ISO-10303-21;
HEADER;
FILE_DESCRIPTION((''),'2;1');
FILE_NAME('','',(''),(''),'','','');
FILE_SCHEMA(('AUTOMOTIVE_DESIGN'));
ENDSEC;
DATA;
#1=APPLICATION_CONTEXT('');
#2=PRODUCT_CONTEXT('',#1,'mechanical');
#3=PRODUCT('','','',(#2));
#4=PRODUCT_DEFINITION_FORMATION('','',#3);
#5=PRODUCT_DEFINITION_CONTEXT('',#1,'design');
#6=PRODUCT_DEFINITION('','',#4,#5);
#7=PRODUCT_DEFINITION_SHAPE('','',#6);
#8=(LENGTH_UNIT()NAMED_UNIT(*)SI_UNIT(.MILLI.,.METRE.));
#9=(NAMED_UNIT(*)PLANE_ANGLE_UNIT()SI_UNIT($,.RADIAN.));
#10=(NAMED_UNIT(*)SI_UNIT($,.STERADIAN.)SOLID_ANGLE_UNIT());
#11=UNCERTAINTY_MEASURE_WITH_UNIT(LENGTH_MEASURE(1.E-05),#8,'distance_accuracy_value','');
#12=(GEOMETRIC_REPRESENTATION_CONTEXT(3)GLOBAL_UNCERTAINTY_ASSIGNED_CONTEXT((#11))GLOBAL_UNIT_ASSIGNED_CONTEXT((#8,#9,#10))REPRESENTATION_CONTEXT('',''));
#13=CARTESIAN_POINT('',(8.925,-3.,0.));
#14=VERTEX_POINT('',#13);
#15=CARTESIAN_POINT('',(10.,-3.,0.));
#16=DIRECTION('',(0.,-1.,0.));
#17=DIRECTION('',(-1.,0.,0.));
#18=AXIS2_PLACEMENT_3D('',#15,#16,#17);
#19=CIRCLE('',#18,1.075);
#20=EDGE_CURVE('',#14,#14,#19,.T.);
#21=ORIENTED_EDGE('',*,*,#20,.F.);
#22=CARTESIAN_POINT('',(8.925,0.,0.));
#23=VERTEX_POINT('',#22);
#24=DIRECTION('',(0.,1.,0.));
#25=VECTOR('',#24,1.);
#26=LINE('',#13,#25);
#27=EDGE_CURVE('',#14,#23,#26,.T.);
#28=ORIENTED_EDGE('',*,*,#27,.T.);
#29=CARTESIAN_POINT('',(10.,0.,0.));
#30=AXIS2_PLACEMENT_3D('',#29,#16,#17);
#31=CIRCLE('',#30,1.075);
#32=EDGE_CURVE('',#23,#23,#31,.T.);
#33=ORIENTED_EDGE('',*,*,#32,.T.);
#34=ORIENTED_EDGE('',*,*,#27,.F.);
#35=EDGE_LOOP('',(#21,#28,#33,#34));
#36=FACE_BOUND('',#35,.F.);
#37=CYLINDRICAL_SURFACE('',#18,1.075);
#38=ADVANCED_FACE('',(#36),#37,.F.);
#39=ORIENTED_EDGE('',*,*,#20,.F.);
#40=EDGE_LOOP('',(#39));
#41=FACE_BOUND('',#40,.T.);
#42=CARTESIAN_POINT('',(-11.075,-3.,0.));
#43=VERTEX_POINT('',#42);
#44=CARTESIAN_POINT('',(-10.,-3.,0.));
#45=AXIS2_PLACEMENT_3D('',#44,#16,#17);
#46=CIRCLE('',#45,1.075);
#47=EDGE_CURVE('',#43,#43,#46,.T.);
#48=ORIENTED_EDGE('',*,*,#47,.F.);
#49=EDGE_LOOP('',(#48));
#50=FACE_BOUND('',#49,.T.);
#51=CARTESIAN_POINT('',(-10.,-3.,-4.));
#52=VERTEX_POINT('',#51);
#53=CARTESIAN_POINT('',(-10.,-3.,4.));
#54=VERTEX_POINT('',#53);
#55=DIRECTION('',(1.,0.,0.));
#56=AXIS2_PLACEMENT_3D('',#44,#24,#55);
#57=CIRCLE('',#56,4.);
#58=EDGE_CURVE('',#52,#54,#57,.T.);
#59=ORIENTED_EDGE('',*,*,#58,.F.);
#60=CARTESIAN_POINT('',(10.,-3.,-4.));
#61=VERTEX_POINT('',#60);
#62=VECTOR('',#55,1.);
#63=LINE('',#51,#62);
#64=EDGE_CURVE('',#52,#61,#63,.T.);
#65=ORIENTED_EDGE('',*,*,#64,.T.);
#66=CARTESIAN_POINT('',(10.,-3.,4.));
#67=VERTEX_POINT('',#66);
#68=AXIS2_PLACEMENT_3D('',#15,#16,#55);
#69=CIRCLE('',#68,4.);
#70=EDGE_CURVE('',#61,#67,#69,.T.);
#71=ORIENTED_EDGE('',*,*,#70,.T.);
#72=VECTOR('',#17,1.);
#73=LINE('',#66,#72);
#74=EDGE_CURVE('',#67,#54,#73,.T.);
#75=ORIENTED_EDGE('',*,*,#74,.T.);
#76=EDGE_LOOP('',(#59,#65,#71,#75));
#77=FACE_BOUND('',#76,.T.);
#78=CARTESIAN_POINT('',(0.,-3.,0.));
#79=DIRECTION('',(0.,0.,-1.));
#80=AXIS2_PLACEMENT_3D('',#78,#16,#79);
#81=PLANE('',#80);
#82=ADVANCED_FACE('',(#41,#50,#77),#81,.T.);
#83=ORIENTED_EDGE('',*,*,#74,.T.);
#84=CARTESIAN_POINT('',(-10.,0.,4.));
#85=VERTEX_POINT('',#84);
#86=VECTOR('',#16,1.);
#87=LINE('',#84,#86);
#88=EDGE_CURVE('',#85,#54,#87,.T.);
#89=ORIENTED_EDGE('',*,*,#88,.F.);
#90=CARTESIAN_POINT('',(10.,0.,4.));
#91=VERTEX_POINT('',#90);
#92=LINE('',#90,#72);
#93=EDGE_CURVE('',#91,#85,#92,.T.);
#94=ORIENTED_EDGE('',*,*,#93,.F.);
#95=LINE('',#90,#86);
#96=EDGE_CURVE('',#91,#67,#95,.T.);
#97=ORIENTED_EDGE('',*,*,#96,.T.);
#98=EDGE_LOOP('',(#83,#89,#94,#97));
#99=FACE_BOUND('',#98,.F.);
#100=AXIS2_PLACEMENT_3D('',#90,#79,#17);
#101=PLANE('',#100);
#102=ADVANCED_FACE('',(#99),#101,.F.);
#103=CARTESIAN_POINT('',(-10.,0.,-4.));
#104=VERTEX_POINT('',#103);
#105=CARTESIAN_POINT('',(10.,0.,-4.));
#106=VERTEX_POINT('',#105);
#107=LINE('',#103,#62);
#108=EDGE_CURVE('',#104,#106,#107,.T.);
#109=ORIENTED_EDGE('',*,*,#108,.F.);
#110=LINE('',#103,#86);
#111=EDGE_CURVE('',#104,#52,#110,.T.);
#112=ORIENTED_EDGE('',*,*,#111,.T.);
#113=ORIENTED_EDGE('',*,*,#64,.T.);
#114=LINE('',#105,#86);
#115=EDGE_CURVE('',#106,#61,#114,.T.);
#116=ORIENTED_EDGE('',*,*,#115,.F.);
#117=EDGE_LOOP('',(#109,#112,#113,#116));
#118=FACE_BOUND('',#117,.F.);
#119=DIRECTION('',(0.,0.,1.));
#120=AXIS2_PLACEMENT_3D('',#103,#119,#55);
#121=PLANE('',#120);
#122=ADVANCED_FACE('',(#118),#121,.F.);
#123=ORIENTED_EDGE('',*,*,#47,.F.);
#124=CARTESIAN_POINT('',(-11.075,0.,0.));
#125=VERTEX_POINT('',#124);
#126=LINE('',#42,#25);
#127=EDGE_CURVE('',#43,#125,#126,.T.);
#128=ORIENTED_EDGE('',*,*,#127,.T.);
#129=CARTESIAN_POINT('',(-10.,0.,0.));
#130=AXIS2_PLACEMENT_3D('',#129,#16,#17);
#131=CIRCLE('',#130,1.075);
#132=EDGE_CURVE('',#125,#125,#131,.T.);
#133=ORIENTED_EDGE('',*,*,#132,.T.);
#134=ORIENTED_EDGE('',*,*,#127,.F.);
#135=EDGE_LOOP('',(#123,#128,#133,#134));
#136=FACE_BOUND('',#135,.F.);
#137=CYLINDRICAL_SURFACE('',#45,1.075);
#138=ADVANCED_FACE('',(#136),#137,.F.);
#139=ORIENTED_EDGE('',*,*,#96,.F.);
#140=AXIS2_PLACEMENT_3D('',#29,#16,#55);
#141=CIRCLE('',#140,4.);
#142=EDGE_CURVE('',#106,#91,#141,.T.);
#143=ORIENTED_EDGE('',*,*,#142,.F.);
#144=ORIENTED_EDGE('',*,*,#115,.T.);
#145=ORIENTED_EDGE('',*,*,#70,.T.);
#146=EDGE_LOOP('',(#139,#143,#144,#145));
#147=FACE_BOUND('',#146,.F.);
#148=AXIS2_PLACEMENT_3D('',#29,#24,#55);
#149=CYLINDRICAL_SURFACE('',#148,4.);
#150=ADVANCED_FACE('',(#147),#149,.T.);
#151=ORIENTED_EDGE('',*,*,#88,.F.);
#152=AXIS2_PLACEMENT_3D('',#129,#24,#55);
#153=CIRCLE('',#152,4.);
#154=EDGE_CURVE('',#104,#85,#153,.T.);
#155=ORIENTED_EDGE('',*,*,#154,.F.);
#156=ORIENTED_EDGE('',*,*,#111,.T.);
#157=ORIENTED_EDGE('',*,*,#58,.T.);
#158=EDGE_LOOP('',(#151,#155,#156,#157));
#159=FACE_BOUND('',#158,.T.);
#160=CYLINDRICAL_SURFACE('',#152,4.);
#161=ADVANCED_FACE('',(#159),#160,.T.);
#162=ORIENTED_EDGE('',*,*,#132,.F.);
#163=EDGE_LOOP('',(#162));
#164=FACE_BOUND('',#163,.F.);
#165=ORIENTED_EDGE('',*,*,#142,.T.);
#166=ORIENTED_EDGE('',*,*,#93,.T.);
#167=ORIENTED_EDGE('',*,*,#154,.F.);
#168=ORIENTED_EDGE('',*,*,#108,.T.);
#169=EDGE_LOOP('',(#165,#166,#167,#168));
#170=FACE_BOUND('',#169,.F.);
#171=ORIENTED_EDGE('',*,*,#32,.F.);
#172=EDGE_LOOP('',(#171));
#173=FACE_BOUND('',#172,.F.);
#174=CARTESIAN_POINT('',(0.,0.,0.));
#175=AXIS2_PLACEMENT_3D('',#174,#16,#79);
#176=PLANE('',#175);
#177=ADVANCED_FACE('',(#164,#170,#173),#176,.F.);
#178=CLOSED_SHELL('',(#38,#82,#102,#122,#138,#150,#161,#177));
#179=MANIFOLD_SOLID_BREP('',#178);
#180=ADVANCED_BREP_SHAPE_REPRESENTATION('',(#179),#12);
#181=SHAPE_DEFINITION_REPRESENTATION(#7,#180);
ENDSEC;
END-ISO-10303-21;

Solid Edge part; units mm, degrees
sketch "Sketch1" plane through (0, 0, 0) normal (0, -1, 0) x (1, 0, 0)
  line L0 (-10, -4) -> (10, -4)
  arc A0 (10, -4) -> (10, 4) centre (10, 0) ccw
  line L1 (10, 4) -> (-10, 4)
  arc A1 (-10, -4) -> (-10, 4) centre (-10, 0) cw
  dimension "D1" = 20
  dimension "D2" = 8
extrude "Ajout_matière_1" add sketch "Sketch1" along normal blind 3
sketch "Sketch2" plane through (0, -3, 0) normal (0, -1, 0) x (-1, 0, 0)
  circle A0 centre (-10, 0) radius 1.075
  circle A1 centre (10, 0) radius 1.075
  dimension "D1" = 2.15
extrude "Enlèvement_matière_1" cut sketch "Sketch2" against normal blind 5.6361
properties part number "12" material "MDF 3mm"
